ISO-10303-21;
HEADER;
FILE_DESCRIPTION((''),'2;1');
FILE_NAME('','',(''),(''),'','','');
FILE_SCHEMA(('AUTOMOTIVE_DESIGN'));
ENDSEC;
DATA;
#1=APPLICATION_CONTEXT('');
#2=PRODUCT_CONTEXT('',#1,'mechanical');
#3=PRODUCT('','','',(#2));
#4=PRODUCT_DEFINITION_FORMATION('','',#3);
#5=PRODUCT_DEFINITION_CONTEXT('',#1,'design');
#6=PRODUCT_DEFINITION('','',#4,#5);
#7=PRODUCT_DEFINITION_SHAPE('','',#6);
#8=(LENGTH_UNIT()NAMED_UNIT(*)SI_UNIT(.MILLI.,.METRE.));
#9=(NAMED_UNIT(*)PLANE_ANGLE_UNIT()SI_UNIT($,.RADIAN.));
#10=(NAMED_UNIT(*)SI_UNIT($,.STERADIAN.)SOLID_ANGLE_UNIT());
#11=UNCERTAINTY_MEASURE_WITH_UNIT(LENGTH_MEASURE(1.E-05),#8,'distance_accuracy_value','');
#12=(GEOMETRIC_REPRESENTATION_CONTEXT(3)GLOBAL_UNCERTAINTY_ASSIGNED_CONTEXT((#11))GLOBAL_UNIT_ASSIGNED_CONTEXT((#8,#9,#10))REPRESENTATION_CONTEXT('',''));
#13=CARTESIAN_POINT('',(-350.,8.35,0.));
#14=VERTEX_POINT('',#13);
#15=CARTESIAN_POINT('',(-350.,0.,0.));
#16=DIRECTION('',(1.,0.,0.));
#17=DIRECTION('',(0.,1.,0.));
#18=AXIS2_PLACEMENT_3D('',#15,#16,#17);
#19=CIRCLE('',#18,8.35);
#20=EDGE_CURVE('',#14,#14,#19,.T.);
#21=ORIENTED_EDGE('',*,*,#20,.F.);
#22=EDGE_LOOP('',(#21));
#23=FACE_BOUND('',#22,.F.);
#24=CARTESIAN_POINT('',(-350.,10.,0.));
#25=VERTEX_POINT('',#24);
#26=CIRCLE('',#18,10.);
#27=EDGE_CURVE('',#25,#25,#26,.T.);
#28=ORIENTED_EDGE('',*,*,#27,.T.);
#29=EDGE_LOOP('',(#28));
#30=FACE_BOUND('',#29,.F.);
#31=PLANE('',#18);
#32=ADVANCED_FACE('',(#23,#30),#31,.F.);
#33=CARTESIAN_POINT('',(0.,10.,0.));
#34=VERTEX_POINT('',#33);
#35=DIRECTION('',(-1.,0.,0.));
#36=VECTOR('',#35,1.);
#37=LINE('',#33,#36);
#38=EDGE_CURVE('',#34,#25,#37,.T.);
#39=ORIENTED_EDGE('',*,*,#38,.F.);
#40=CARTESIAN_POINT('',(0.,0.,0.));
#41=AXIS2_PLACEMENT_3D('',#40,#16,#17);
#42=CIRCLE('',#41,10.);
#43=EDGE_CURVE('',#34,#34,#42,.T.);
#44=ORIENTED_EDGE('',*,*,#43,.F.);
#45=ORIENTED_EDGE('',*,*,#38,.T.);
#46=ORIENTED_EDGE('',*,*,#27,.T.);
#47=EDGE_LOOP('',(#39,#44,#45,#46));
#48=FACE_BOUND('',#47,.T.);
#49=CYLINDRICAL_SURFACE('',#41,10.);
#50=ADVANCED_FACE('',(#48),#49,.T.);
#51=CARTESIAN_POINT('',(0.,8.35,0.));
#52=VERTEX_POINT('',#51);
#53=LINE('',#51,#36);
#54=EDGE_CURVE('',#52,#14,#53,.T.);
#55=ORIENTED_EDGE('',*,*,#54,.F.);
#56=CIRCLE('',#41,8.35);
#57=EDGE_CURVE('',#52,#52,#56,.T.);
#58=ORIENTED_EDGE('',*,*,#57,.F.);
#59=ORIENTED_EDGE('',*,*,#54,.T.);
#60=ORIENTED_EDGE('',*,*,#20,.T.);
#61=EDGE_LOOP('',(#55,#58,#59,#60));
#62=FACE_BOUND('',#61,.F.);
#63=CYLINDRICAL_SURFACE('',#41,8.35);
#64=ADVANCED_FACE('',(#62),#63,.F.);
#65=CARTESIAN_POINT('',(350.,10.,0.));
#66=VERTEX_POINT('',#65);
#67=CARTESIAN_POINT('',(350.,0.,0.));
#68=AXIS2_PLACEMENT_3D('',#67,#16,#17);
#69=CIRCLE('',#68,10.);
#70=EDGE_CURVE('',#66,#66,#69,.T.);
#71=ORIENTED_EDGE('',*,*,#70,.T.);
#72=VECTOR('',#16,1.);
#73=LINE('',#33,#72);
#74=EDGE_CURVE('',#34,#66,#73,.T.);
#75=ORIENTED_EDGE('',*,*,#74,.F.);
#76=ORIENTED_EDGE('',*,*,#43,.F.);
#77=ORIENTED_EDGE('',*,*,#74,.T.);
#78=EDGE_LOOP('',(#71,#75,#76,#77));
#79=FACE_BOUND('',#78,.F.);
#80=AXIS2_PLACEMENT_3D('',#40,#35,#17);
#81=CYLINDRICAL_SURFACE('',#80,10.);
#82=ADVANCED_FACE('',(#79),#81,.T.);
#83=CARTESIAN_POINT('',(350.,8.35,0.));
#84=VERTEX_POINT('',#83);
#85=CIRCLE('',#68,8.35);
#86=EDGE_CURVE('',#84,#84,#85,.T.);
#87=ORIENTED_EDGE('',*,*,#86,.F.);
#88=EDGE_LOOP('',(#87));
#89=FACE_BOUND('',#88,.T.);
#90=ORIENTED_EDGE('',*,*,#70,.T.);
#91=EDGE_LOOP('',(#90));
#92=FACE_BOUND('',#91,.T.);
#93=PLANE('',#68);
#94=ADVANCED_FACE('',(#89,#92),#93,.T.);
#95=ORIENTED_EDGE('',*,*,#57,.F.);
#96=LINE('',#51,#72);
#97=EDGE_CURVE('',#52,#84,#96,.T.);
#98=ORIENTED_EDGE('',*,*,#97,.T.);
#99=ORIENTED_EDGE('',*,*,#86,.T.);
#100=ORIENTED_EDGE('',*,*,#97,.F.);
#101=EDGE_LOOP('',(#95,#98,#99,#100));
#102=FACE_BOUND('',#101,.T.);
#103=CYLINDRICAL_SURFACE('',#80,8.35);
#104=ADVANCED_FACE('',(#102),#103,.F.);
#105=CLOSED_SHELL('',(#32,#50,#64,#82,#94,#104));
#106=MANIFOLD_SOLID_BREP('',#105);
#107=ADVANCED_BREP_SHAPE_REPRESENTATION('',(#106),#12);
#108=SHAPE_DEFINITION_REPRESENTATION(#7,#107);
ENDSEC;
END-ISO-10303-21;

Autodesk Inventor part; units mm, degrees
ref_plane "YZ Plane" through (0, 0, 0) normal (1, 0, 0) x (0, 1, 0)
ref_plane "XZ Plane" through (0, 0, 0) normal (0, 1, 0) x (-1, 0, 0)
ref_plane "XY Plane" through (0, 0, 0) normal (0, 0, 1) x (1, 0, 0)
sketch "Sketch1" plane through (0, 0, 0) normal (1, 0, 0) x (0, 1, 0)
  circle A0 centre (0, 0) radius 8.35
  circle A1 centre (0, 0) radius 10
  dimension "d0" = 16.7
  dimension "d1" = 20
extrude "Extrusion1" add sketch "Sketch1" along normal mid plane 700
properties part number "PVC_conduit"
